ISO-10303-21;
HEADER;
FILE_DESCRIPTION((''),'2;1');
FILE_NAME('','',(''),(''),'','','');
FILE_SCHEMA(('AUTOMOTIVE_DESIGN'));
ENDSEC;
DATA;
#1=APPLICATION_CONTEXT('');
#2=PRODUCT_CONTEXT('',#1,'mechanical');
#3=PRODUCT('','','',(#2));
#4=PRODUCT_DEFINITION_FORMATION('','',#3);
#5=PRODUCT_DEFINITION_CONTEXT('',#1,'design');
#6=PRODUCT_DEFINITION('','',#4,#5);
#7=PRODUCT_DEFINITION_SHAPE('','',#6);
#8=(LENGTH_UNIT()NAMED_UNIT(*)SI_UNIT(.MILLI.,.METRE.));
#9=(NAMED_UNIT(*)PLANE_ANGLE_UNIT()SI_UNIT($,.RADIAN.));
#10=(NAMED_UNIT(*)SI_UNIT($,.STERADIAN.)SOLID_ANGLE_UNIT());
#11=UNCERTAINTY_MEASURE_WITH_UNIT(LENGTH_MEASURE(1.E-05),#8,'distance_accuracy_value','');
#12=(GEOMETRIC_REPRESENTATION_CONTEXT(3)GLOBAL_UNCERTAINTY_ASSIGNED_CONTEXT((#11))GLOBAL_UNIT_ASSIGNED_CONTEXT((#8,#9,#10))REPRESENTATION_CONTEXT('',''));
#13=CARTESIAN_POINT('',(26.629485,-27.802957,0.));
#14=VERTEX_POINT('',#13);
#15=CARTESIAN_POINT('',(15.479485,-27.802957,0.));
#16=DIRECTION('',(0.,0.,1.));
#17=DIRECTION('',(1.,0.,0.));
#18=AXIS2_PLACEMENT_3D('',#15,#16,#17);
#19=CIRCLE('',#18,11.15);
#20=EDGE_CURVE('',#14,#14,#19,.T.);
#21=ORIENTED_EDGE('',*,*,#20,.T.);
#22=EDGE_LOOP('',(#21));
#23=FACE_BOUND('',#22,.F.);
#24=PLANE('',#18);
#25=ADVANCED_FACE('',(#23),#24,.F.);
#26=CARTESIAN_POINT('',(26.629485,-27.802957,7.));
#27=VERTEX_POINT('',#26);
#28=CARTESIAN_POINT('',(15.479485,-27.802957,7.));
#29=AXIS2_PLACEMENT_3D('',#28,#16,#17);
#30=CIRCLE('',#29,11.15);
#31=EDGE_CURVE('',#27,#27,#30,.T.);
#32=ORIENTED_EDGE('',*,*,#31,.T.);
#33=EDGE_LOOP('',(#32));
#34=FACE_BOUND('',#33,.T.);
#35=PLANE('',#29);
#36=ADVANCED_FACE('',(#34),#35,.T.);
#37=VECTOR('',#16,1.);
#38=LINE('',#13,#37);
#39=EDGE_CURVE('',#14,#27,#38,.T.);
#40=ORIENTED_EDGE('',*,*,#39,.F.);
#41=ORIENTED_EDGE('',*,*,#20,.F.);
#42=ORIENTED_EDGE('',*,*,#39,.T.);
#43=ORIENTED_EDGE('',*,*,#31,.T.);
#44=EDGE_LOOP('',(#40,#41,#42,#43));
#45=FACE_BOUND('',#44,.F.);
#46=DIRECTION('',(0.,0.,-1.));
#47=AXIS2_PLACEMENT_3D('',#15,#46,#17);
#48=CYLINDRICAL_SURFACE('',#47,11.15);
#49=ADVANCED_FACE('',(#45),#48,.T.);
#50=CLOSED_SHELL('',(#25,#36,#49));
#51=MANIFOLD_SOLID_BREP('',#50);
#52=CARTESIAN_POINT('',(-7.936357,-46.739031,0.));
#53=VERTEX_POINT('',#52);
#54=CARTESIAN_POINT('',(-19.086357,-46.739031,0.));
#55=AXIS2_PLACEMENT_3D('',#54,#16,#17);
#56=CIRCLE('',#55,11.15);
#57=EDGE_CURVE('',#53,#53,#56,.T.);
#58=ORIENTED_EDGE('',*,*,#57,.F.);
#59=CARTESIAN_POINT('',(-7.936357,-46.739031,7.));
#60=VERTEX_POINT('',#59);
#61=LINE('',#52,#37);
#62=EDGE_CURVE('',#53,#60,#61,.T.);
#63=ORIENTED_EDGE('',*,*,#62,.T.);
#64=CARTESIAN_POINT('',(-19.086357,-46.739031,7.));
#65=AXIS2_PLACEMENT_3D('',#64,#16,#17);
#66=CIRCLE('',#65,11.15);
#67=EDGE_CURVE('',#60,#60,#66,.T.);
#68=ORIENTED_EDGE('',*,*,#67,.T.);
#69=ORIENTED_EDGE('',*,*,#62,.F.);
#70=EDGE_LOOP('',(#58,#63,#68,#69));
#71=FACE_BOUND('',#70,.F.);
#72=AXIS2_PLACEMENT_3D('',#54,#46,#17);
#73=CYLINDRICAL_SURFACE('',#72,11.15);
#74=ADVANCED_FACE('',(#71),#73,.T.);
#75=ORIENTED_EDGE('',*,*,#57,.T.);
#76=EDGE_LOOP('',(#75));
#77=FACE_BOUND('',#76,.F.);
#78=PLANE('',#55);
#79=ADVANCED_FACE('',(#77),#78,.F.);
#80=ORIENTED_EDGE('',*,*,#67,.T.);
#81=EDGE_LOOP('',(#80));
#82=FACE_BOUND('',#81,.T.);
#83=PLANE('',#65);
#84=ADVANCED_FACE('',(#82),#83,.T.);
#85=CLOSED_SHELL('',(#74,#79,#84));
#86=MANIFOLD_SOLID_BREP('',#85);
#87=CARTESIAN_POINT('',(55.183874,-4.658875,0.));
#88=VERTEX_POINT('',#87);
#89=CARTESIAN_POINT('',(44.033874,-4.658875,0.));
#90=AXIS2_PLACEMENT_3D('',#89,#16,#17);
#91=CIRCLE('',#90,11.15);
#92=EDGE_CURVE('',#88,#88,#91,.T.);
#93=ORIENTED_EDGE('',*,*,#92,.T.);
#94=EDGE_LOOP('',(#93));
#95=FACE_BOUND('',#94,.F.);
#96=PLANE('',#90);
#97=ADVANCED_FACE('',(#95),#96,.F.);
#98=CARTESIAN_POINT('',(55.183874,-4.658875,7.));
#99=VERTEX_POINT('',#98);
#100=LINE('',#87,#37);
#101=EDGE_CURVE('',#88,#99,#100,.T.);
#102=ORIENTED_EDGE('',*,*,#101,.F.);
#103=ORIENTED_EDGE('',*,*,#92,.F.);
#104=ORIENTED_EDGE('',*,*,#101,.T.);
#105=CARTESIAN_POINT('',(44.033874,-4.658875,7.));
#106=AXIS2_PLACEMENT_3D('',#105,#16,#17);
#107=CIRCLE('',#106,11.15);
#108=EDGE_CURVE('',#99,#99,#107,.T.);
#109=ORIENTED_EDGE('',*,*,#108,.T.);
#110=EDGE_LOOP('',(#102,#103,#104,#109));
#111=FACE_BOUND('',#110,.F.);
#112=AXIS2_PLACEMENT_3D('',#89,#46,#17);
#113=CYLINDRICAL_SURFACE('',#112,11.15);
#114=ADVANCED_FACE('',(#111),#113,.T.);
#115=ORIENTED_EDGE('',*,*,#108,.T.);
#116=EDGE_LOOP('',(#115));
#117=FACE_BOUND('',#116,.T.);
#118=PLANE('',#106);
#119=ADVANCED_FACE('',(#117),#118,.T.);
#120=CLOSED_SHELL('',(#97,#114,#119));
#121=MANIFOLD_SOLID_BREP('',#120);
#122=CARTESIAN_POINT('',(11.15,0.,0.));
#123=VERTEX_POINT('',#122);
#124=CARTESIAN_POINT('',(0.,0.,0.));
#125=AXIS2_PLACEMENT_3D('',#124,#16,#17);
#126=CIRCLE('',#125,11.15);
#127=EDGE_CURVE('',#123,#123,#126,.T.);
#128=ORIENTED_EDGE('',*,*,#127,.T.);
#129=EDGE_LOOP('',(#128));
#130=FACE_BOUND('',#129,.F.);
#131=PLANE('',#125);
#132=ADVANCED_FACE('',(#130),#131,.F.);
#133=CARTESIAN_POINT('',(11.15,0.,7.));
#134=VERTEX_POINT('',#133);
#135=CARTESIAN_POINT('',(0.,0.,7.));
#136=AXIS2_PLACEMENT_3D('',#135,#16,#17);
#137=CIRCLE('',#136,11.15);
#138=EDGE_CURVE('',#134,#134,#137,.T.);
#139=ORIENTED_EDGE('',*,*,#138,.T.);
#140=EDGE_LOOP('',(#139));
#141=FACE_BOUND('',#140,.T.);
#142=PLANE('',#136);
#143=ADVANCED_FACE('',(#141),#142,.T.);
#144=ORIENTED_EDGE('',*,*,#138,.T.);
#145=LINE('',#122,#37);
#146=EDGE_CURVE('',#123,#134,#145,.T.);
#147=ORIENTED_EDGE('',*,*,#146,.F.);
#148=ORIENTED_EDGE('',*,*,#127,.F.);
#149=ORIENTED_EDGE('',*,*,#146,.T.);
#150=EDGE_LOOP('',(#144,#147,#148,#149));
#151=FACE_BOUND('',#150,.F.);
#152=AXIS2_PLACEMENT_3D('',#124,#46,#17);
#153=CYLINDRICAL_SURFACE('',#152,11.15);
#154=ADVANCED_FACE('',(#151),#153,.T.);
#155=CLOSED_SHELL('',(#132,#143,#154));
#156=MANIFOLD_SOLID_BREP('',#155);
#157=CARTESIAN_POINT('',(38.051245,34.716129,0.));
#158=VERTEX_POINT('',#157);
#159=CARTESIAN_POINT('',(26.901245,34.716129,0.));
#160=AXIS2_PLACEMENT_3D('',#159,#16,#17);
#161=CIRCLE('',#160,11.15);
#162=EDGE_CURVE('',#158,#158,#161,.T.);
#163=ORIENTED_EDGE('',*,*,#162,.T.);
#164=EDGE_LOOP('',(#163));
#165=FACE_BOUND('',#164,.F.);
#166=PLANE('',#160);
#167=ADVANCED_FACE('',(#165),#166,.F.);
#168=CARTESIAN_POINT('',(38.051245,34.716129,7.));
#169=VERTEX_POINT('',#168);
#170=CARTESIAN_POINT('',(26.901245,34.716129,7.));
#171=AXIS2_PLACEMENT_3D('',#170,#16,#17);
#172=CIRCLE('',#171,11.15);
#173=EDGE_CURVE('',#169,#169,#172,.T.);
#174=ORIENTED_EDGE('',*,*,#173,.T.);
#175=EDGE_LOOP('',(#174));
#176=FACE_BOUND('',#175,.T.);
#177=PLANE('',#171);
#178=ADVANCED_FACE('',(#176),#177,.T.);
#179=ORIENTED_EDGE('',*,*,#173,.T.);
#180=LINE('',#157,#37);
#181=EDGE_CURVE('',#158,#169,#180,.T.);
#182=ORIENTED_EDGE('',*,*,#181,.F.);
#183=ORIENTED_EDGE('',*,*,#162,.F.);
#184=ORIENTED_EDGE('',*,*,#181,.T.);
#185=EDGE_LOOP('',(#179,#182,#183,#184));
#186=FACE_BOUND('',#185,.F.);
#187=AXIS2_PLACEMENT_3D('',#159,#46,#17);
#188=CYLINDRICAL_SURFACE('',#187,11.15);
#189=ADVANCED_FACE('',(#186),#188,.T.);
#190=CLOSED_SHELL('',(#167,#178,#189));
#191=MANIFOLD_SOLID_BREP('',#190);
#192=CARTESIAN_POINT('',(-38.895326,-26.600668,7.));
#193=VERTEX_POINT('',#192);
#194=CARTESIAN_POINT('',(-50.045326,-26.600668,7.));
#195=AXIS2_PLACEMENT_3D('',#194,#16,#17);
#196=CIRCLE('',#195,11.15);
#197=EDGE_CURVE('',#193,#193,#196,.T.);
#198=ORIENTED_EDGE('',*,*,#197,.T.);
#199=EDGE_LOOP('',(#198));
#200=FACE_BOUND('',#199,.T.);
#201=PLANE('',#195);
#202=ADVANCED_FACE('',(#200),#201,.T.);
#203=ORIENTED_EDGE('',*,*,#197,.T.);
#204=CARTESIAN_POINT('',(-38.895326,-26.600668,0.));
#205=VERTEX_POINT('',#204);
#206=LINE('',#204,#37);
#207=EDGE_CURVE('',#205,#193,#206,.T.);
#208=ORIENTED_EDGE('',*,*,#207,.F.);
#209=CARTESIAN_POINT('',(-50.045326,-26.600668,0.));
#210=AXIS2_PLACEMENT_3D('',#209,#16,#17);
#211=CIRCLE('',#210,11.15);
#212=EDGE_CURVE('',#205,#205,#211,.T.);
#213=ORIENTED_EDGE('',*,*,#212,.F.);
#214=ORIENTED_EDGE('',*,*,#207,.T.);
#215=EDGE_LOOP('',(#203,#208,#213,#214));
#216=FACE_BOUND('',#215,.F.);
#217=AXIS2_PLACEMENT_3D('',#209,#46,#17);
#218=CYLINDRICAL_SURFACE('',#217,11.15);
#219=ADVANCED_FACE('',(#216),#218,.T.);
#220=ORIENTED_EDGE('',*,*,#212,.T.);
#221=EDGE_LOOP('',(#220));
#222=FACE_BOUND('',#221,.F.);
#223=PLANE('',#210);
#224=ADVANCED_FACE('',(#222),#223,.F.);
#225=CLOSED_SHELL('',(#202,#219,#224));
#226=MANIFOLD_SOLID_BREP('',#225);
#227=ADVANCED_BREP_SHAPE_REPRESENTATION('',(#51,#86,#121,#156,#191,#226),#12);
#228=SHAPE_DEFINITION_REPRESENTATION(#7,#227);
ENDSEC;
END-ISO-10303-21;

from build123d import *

# Parameters (mm, degrees)
F0_R     = 11.15
F1_DEPTH = 7


with BuildPart() as f1:
    # F0 (on Top) → F1 (new body)
    with BuildSketch(Plane.XY):
        Circle(F0_R)
        with Locations((26.901245, 34.716129)):
            Circle(F0_R)
        with Locations((-50.045326, -26.600668)):
            Circle(F0_R)
        with Locations((-19.086357, -46.739031)):
            Circle(F0_R)
        with Locations((15.479485, -27.802957)):
            Circle(F0_R)
        with Locations((44.033874, -4.658875)):
            Circle(F0_R)
    extrude(amount=F1_DEPTH)


solid = f1.part
